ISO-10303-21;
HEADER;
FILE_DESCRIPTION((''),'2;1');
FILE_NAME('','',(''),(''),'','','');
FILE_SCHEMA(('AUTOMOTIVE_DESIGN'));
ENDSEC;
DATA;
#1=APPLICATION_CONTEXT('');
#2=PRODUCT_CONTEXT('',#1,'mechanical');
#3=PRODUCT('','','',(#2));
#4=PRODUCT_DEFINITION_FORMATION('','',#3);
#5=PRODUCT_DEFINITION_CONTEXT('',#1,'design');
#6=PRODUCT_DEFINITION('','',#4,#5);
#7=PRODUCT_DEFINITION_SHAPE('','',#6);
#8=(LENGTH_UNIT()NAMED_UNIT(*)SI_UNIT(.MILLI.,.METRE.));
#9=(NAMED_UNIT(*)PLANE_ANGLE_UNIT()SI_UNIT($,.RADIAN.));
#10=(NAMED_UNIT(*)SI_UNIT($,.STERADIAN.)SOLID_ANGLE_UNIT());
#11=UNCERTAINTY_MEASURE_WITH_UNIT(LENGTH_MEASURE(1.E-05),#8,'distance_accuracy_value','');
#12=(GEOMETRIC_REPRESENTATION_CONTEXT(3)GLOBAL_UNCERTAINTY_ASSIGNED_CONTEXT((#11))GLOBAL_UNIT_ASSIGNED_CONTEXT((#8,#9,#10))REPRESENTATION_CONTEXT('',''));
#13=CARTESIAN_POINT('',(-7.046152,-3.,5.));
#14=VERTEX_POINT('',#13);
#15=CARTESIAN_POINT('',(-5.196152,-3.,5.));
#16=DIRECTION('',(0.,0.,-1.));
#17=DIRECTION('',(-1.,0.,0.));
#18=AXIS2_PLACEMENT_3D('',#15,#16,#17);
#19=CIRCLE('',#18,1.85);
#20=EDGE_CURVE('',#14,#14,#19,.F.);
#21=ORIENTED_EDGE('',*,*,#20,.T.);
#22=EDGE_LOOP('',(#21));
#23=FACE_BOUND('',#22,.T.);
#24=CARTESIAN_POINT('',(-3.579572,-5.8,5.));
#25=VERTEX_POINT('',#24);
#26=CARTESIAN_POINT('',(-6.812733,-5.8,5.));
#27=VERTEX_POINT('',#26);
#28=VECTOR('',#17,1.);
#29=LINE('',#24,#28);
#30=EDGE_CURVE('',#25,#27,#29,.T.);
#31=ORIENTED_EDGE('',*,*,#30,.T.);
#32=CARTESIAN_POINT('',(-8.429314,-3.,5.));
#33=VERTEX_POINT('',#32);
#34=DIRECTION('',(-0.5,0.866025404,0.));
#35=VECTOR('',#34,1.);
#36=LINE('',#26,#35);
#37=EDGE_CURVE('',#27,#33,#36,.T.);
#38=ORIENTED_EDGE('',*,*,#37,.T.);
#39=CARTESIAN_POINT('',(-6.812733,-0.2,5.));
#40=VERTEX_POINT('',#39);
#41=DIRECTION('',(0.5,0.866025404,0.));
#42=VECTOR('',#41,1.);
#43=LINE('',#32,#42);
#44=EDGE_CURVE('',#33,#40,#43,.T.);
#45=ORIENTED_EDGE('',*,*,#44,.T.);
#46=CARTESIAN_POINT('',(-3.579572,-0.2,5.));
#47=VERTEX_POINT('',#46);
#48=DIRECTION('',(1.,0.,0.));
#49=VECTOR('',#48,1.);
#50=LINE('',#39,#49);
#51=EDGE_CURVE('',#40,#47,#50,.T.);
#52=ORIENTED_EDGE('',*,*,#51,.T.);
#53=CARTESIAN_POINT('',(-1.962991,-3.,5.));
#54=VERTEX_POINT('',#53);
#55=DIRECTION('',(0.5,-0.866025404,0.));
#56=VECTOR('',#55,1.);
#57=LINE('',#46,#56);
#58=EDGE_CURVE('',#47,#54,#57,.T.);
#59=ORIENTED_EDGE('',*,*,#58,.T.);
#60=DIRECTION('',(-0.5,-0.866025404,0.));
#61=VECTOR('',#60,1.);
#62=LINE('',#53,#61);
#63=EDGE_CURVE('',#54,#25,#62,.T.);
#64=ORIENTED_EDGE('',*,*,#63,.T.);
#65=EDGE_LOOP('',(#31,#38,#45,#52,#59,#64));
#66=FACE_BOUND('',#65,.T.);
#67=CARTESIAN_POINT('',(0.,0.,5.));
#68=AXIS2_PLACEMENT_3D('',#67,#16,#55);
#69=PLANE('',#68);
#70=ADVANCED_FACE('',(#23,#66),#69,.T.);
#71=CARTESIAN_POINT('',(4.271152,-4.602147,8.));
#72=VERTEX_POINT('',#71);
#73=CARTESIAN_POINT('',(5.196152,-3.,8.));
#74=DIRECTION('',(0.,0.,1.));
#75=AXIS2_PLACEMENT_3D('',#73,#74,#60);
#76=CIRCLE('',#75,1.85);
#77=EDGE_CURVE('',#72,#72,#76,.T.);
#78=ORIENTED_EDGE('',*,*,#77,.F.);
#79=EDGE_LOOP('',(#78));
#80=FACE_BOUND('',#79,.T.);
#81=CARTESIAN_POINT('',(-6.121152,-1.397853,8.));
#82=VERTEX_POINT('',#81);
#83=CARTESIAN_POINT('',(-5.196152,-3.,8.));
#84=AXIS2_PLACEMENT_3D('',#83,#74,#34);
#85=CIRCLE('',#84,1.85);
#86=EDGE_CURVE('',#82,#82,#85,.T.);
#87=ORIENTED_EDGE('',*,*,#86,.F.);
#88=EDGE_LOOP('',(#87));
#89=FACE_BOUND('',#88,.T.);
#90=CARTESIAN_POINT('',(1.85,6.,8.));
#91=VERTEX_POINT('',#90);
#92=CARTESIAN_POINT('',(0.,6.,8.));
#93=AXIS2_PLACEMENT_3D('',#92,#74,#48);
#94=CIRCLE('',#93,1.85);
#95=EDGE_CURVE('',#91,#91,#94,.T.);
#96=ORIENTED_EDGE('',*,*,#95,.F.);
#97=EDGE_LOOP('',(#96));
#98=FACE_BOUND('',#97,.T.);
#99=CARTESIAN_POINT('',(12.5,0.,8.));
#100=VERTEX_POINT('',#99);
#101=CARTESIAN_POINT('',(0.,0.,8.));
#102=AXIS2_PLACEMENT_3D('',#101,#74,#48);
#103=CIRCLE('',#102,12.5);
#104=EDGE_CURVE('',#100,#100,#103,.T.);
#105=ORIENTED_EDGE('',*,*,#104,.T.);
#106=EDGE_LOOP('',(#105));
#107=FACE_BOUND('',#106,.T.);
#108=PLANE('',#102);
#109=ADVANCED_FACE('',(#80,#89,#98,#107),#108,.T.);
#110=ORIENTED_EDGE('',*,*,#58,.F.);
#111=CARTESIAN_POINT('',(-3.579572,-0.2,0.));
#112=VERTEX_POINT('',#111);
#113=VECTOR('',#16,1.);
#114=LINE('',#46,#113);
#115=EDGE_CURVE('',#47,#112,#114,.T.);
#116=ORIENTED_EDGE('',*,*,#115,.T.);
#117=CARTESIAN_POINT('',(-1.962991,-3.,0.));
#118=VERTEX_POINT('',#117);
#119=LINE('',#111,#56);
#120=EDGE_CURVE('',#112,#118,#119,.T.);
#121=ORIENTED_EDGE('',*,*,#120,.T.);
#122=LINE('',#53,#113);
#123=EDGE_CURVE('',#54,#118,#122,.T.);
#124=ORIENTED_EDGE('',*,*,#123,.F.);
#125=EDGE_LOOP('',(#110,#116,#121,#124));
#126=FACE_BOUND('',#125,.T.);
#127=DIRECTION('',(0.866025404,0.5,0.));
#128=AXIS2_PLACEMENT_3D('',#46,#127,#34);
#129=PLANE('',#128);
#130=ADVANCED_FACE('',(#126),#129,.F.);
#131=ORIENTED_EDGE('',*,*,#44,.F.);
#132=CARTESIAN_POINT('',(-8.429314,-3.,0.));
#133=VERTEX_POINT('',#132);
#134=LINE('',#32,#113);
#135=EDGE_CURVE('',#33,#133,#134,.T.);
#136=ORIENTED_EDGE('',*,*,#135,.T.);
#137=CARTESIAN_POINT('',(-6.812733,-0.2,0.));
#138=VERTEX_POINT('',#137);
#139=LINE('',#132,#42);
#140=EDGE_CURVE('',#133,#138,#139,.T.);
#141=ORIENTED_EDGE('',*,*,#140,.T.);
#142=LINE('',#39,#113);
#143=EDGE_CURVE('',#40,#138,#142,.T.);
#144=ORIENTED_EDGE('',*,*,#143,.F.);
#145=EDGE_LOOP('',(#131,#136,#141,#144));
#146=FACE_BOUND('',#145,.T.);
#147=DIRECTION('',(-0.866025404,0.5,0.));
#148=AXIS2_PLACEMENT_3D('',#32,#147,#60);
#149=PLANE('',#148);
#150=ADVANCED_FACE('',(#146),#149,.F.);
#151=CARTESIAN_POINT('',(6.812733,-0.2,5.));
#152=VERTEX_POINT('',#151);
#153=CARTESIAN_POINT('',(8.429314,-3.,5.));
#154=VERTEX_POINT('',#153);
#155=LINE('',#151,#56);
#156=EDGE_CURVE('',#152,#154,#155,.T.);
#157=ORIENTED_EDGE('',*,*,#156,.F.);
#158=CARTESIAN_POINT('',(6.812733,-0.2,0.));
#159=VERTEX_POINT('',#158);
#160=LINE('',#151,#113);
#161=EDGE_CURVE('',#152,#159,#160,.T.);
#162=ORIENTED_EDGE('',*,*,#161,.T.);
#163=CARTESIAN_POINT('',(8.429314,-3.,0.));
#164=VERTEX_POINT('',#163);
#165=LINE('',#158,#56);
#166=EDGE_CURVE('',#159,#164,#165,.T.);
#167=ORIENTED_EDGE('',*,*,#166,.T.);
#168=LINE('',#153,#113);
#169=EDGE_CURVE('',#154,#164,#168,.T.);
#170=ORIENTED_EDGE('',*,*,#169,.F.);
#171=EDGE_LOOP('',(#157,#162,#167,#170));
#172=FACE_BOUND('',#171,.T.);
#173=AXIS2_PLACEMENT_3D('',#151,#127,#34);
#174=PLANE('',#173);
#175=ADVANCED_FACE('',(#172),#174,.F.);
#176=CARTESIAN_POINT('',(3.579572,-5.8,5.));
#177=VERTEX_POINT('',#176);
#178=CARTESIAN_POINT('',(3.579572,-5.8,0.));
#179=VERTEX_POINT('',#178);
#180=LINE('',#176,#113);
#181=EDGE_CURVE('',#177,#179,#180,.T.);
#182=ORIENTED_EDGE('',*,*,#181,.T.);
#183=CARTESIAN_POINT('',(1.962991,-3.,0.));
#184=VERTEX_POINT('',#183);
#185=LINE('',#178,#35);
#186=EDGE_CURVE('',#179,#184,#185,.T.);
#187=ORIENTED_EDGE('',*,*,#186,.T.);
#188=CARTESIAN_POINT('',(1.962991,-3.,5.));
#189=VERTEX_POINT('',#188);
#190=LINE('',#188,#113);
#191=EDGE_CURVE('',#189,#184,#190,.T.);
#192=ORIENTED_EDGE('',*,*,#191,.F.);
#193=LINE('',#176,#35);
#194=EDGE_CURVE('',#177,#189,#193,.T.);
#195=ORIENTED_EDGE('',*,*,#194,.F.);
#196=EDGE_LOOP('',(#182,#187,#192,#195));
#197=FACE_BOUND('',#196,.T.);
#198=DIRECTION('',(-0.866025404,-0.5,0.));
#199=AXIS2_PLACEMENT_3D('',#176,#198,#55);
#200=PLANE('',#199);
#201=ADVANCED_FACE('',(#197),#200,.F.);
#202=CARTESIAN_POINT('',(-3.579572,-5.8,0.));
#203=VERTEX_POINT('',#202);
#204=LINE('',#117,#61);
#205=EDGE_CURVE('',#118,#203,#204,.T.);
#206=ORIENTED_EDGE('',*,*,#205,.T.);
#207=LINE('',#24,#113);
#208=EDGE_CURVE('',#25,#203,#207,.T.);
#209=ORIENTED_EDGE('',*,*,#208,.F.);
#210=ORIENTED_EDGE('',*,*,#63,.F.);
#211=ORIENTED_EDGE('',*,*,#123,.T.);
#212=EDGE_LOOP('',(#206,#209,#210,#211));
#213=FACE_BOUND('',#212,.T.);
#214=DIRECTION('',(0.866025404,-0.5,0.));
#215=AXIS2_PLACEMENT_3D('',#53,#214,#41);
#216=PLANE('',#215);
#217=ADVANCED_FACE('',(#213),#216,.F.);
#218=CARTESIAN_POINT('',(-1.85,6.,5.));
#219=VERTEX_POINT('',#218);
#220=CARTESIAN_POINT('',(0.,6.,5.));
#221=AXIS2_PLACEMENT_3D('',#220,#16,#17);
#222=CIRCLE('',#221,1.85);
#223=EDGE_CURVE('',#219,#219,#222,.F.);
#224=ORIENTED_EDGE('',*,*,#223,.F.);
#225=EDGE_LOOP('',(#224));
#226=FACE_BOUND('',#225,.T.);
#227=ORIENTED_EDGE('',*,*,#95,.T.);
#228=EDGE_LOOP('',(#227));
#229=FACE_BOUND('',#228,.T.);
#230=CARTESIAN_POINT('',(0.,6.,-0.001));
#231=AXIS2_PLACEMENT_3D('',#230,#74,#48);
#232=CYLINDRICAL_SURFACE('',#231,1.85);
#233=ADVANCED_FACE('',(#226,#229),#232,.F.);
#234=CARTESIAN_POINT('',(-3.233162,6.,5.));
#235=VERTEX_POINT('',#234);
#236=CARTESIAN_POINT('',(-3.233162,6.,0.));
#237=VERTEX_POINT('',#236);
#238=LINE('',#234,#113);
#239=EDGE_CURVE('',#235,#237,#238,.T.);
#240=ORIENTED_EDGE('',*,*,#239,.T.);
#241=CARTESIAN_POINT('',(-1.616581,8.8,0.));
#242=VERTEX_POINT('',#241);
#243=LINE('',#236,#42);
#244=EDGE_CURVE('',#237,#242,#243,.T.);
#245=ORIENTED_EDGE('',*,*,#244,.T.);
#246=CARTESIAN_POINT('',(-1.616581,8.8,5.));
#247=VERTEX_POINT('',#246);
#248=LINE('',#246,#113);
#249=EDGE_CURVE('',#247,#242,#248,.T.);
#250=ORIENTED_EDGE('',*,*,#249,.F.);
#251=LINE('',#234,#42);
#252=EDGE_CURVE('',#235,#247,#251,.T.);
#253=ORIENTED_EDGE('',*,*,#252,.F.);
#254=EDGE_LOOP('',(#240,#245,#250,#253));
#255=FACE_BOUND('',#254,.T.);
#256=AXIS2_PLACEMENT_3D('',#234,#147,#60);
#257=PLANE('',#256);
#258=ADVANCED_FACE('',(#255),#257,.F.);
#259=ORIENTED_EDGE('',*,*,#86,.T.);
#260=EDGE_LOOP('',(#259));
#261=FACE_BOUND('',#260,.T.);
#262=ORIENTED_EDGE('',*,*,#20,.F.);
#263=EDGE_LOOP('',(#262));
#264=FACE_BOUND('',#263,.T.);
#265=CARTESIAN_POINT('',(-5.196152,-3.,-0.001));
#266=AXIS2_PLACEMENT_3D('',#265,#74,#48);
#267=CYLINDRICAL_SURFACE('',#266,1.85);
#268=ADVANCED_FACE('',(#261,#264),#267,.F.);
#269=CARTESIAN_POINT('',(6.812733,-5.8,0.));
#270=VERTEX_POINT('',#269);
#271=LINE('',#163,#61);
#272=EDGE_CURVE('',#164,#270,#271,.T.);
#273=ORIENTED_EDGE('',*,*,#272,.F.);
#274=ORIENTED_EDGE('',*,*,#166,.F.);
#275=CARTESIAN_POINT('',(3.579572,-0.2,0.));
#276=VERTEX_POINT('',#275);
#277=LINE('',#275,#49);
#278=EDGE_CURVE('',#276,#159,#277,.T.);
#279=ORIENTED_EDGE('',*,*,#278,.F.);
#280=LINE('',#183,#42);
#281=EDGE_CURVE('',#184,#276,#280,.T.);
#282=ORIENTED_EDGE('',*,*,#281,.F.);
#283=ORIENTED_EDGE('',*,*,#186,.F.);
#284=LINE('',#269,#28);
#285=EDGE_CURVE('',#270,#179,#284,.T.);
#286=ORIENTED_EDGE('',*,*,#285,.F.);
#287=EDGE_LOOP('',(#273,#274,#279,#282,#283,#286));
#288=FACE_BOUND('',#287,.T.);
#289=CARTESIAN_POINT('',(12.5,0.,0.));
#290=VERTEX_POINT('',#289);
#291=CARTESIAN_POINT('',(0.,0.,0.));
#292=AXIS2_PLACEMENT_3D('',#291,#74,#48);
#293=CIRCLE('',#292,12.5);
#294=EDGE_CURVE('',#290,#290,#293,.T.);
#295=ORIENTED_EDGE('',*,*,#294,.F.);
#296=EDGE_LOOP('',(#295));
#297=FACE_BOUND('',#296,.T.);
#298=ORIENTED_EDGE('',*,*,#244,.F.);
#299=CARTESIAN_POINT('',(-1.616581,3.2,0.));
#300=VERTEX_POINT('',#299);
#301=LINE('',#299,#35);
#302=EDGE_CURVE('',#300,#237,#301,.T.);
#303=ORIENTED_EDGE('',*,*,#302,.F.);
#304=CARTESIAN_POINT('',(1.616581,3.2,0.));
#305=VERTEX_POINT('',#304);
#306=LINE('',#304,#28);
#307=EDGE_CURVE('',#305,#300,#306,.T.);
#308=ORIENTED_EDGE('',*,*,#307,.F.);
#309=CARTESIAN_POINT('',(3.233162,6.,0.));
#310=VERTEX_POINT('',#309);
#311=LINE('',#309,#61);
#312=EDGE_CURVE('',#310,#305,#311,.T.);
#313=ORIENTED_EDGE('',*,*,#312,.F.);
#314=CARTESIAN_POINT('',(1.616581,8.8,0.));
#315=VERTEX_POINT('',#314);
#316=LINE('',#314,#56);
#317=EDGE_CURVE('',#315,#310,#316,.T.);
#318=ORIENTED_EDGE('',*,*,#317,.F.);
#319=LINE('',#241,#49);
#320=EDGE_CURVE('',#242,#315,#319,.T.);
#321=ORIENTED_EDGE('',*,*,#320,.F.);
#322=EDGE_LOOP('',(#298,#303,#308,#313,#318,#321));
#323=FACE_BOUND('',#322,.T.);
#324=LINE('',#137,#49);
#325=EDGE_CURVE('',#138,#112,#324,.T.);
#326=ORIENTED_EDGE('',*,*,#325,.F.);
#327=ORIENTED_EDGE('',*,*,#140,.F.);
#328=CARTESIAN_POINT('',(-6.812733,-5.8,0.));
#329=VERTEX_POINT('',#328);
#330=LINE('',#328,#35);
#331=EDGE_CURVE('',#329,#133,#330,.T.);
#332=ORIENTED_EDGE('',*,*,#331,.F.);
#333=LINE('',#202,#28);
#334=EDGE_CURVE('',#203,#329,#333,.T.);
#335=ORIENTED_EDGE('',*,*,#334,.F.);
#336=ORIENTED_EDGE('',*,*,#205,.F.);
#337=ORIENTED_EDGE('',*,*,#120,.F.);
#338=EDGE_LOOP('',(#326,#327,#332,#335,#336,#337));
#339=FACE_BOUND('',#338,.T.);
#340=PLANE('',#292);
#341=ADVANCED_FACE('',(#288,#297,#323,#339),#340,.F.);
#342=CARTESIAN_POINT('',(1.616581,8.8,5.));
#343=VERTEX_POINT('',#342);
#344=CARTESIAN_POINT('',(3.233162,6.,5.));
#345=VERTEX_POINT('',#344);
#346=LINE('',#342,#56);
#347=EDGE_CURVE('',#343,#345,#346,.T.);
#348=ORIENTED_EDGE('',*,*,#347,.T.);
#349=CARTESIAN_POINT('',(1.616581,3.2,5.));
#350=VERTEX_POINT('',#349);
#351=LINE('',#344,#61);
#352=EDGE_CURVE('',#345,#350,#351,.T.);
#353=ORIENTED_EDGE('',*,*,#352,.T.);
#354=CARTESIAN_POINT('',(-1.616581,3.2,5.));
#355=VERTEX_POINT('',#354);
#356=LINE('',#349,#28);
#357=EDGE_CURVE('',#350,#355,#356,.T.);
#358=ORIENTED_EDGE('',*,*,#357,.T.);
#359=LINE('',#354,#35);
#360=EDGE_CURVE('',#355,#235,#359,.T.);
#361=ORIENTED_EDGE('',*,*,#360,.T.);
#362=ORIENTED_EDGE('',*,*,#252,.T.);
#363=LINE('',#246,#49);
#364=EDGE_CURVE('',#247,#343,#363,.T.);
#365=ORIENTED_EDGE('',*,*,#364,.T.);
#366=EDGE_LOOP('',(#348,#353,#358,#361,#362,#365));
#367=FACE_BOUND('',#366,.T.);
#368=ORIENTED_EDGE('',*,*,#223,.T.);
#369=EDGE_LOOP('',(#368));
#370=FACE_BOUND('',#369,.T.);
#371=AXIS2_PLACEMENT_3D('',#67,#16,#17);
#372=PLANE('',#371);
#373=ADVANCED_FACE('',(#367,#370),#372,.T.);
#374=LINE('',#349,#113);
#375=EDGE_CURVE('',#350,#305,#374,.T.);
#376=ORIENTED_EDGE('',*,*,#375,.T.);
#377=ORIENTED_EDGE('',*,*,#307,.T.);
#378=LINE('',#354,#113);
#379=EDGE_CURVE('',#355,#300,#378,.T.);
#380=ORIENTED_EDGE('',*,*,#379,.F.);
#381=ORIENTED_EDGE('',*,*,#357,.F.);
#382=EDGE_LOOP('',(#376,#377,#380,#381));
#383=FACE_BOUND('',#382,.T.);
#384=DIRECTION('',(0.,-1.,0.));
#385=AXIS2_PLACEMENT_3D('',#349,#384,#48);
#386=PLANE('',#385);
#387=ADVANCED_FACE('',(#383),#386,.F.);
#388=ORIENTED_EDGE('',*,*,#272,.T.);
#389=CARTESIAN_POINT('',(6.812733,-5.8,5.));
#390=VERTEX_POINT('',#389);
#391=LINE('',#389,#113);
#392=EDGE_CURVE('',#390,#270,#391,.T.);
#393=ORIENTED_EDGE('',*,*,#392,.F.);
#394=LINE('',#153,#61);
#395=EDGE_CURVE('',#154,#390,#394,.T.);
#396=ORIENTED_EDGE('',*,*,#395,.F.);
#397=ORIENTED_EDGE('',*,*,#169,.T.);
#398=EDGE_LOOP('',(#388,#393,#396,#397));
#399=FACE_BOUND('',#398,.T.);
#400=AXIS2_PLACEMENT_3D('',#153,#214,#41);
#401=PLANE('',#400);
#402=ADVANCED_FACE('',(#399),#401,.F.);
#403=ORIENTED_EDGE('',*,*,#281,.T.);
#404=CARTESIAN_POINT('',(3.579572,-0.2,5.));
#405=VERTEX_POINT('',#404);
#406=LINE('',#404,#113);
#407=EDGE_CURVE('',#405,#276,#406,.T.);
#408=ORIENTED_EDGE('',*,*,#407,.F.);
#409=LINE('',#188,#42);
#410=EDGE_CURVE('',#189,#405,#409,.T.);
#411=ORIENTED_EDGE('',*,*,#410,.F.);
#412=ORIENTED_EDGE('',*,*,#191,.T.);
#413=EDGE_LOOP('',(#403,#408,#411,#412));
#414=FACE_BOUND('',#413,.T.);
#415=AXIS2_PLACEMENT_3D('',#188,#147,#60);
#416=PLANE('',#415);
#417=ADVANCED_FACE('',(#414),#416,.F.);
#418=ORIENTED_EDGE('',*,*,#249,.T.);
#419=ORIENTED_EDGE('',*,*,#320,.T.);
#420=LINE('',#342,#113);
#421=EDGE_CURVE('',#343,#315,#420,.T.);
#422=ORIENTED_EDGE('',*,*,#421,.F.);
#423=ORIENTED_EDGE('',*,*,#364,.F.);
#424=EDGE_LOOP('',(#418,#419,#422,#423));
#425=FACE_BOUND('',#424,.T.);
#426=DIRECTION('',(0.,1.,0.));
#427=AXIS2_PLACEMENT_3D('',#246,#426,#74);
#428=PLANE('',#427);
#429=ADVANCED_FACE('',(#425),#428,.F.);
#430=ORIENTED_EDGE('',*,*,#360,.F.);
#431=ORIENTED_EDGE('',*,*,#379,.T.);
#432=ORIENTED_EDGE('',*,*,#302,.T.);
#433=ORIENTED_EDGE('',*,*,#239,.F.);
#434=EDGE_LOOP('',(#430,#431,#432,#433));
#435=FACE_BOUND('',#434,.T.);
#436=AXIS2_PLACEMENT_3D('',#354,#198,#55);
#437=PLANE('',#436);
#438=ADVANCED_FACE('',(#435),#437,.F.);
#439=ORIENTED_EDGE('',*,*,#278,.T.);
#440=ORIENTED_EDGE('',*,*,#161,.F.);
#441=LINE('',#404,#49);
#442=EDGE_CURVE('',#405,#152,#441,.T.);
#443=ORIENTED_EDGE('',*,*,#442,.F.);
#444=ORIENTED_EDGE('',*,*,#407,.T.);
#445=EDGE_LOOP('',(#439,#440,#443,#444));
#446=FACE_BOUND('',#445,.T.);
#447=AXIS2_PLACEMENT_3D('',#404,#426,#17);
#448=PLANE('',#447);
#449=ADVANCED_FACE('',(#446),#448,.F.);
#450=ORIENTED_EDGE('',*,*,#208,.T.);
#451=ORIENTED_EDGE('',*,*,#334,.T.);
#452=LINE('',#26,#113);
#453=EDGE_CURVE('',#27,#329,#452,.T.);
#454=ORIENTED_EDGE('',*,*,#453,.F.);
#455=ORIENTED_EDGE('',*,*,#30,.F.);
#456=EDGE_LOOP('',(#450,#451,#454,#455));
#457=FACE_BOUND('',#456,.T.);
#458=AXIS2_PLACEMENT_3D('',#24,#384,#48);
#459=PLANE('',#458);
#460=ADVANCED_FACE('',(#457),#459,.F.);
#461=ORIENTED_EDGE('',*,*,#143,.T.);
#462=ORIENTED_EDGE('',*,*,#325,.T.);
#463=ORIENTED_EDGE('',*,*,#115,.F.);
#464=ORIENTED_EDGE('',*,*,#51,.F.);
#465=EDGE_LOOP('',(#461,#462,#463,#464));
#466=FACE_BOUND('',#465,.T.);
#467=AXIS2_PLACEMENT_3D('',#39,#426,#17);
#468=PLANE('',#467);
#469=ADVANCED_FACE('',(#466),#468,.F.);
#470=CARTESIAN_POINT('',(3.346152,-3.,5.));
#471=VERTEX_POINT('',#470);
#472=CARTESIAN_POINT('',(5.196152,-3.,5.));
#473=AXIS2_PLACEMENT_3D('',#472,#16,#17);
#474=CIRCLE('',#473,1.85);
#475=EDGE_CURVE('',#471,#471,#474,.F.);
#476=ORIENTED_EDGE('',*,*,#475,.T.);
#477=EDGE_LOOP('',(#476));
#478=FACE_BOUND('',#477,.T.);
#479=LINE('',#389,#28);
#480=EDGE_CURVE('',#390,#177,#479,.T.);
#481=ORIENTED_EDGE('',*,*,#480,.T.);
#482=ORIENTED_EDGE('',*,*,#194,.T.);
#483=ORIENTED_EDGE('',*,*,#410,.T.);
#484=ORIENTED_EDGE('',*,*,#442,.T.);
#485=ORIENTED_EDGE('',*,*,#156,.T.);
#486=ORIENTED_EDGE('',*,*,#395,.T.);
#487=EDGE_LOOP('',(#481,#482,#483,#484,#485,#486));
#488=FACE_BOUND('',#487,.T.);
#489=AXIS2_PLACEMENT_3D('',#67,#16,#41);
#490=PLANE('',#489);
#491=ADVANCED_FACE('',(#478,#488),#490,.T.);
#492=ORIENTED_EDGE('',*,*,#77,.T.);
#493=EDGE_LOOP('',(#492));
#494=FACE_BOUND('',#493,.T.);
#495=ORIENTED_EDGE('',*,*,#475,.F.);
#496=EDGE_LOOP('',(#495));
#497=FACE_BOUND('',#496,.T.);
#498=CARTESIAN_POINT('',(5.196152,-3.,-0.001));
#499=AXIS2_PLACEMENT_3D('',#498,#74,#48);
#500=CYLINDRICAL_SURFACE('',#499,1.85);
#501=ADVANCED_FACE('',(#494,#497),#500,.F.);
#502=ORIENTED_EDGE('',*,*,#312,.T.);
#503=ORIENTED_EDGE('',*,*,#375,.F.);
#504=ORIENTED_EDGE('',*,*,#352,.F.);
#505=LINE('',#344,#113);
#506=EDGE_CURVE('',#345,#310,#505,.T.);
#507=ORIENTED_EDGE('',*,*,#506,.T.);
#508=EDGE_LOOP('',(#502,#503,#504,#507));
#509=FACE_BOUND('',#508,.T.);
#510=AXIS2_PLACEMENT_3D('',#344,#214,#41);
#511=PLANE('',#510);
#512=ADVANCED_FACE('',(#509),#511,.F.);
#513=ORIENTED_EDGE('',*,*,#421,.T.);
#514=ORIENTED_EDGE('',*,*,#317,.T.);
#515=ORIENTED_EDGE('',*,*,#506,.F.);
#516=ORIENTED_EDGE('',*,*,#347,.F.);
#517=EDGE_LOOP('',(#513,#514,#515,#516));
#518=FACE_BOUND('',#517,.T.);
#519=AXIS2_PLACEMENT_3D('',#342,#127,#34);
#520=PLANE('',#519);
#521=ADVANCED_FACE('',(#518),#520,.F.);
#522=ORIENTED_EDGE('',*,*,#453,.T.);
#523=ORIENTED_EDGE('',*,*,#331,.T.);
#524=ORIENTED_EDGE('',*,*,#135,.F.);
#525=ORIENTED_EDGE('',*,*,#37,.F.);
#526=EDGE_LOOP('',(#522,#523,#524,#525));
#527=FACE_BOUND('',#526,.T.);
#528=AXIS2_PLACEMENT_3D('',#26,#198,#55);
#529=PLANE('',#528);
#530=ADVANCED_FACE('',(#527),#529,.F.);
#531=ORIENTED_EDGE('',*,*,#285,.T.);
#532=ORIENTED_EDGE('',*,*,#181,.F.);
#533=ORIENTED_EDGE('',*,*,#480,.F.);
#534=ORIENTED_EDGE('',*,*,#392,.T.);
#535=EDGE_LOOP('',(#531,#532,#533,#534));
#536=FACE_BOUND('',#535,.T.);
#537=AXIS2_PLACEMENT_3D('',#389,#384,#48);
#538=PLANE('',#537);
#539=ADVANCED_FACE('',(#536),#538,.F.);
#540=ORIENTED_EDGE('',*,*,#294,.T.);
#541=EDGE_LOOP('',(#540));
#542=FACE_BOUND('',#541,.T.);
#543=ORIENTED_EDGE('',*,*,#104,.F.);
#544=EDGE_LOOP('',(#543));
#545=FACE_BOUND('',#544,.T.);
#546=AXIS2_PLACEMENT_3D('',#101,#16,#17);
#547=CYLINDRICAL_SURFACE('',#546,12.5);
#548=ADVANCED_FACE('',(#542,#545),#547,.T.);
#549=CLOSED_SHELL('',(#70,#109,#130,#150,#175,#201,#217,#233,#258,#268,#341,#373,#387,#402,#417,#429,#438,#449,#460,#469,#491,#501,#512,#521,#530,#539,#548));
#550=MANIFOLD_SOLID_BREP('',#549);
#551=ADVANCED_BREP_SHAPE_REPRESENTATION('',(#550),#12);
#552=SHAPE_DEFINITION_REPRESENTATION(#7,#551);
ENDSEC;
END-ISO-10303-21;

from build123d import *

# Parameters (mm, degrees)
SKETCH1_R           = 12.5
BOSS_EXTRUDE1_DEPTH = 8
SKETCH2_R           = 1.85
CUT_EXTRUDE1_DEPTH  = 8
CUT_EXTRUDE2_DEPTH  = 5
CIRPATTERN1_COUNT   = 3


with BuildPart() as part:
    # Sketch1 → Boss-Extrude1 (new body)
    with BuildSketch(Plane.XY):
        Circle(SKETCH1_R)
    extrude(amount=BOSS_EXTRUDE1_DEPTH)

    # Sketch2 → Cut-Extrude1 (cut)
    with BuildSketch(Plane.XY.offset(8)):
        with Locations((0, 6)):
            Circle(SKETCH2_R)
    cut_extrude1 = extrude(amount=-CUT_EXTRUDE1_DEPTH, mode=Mode.SUBTRACT)

    # Sketch3 → Cut-Extrude2 (cut)
    with BuildSketch(Plane(origin=(0, 0, 0), x_dir=(-1, 0, 0), z_dir=(0, 0, -1))):
        Polygon((3.233161507, 6), (1.616580754, 8.8), (-1.616580754, 8.8), (-3.233161507, 6), (-1.616580754, 3.2), (1.616580754, 3.2), align=None)
    cut_extrude2 = extrude(amount=-CUT_EXTRUDE2_DEPTH, mode=Mode.SUBTRACT)

    # CirPattern1: Cut-Extrude1, Cut-Extrude2 ×3 about axis
    cirpattern1_axis = Axis((0, 0, 0), (0, 0, 1))
    for i in range(1, CIRPATTERN1_COUNT):
        add(cut_extrude1.rotate(cirpattern1_axis, i * 360 / CIRPATTERN1_COUNT), mode=Mode.SUBTRACT)
        add(cut_extrude2.rotate(cirpattern1_axis, i * 360 / CIRPATTERN1_COUNT), mode=Mode.SUBTRACT)


solid = part.part
